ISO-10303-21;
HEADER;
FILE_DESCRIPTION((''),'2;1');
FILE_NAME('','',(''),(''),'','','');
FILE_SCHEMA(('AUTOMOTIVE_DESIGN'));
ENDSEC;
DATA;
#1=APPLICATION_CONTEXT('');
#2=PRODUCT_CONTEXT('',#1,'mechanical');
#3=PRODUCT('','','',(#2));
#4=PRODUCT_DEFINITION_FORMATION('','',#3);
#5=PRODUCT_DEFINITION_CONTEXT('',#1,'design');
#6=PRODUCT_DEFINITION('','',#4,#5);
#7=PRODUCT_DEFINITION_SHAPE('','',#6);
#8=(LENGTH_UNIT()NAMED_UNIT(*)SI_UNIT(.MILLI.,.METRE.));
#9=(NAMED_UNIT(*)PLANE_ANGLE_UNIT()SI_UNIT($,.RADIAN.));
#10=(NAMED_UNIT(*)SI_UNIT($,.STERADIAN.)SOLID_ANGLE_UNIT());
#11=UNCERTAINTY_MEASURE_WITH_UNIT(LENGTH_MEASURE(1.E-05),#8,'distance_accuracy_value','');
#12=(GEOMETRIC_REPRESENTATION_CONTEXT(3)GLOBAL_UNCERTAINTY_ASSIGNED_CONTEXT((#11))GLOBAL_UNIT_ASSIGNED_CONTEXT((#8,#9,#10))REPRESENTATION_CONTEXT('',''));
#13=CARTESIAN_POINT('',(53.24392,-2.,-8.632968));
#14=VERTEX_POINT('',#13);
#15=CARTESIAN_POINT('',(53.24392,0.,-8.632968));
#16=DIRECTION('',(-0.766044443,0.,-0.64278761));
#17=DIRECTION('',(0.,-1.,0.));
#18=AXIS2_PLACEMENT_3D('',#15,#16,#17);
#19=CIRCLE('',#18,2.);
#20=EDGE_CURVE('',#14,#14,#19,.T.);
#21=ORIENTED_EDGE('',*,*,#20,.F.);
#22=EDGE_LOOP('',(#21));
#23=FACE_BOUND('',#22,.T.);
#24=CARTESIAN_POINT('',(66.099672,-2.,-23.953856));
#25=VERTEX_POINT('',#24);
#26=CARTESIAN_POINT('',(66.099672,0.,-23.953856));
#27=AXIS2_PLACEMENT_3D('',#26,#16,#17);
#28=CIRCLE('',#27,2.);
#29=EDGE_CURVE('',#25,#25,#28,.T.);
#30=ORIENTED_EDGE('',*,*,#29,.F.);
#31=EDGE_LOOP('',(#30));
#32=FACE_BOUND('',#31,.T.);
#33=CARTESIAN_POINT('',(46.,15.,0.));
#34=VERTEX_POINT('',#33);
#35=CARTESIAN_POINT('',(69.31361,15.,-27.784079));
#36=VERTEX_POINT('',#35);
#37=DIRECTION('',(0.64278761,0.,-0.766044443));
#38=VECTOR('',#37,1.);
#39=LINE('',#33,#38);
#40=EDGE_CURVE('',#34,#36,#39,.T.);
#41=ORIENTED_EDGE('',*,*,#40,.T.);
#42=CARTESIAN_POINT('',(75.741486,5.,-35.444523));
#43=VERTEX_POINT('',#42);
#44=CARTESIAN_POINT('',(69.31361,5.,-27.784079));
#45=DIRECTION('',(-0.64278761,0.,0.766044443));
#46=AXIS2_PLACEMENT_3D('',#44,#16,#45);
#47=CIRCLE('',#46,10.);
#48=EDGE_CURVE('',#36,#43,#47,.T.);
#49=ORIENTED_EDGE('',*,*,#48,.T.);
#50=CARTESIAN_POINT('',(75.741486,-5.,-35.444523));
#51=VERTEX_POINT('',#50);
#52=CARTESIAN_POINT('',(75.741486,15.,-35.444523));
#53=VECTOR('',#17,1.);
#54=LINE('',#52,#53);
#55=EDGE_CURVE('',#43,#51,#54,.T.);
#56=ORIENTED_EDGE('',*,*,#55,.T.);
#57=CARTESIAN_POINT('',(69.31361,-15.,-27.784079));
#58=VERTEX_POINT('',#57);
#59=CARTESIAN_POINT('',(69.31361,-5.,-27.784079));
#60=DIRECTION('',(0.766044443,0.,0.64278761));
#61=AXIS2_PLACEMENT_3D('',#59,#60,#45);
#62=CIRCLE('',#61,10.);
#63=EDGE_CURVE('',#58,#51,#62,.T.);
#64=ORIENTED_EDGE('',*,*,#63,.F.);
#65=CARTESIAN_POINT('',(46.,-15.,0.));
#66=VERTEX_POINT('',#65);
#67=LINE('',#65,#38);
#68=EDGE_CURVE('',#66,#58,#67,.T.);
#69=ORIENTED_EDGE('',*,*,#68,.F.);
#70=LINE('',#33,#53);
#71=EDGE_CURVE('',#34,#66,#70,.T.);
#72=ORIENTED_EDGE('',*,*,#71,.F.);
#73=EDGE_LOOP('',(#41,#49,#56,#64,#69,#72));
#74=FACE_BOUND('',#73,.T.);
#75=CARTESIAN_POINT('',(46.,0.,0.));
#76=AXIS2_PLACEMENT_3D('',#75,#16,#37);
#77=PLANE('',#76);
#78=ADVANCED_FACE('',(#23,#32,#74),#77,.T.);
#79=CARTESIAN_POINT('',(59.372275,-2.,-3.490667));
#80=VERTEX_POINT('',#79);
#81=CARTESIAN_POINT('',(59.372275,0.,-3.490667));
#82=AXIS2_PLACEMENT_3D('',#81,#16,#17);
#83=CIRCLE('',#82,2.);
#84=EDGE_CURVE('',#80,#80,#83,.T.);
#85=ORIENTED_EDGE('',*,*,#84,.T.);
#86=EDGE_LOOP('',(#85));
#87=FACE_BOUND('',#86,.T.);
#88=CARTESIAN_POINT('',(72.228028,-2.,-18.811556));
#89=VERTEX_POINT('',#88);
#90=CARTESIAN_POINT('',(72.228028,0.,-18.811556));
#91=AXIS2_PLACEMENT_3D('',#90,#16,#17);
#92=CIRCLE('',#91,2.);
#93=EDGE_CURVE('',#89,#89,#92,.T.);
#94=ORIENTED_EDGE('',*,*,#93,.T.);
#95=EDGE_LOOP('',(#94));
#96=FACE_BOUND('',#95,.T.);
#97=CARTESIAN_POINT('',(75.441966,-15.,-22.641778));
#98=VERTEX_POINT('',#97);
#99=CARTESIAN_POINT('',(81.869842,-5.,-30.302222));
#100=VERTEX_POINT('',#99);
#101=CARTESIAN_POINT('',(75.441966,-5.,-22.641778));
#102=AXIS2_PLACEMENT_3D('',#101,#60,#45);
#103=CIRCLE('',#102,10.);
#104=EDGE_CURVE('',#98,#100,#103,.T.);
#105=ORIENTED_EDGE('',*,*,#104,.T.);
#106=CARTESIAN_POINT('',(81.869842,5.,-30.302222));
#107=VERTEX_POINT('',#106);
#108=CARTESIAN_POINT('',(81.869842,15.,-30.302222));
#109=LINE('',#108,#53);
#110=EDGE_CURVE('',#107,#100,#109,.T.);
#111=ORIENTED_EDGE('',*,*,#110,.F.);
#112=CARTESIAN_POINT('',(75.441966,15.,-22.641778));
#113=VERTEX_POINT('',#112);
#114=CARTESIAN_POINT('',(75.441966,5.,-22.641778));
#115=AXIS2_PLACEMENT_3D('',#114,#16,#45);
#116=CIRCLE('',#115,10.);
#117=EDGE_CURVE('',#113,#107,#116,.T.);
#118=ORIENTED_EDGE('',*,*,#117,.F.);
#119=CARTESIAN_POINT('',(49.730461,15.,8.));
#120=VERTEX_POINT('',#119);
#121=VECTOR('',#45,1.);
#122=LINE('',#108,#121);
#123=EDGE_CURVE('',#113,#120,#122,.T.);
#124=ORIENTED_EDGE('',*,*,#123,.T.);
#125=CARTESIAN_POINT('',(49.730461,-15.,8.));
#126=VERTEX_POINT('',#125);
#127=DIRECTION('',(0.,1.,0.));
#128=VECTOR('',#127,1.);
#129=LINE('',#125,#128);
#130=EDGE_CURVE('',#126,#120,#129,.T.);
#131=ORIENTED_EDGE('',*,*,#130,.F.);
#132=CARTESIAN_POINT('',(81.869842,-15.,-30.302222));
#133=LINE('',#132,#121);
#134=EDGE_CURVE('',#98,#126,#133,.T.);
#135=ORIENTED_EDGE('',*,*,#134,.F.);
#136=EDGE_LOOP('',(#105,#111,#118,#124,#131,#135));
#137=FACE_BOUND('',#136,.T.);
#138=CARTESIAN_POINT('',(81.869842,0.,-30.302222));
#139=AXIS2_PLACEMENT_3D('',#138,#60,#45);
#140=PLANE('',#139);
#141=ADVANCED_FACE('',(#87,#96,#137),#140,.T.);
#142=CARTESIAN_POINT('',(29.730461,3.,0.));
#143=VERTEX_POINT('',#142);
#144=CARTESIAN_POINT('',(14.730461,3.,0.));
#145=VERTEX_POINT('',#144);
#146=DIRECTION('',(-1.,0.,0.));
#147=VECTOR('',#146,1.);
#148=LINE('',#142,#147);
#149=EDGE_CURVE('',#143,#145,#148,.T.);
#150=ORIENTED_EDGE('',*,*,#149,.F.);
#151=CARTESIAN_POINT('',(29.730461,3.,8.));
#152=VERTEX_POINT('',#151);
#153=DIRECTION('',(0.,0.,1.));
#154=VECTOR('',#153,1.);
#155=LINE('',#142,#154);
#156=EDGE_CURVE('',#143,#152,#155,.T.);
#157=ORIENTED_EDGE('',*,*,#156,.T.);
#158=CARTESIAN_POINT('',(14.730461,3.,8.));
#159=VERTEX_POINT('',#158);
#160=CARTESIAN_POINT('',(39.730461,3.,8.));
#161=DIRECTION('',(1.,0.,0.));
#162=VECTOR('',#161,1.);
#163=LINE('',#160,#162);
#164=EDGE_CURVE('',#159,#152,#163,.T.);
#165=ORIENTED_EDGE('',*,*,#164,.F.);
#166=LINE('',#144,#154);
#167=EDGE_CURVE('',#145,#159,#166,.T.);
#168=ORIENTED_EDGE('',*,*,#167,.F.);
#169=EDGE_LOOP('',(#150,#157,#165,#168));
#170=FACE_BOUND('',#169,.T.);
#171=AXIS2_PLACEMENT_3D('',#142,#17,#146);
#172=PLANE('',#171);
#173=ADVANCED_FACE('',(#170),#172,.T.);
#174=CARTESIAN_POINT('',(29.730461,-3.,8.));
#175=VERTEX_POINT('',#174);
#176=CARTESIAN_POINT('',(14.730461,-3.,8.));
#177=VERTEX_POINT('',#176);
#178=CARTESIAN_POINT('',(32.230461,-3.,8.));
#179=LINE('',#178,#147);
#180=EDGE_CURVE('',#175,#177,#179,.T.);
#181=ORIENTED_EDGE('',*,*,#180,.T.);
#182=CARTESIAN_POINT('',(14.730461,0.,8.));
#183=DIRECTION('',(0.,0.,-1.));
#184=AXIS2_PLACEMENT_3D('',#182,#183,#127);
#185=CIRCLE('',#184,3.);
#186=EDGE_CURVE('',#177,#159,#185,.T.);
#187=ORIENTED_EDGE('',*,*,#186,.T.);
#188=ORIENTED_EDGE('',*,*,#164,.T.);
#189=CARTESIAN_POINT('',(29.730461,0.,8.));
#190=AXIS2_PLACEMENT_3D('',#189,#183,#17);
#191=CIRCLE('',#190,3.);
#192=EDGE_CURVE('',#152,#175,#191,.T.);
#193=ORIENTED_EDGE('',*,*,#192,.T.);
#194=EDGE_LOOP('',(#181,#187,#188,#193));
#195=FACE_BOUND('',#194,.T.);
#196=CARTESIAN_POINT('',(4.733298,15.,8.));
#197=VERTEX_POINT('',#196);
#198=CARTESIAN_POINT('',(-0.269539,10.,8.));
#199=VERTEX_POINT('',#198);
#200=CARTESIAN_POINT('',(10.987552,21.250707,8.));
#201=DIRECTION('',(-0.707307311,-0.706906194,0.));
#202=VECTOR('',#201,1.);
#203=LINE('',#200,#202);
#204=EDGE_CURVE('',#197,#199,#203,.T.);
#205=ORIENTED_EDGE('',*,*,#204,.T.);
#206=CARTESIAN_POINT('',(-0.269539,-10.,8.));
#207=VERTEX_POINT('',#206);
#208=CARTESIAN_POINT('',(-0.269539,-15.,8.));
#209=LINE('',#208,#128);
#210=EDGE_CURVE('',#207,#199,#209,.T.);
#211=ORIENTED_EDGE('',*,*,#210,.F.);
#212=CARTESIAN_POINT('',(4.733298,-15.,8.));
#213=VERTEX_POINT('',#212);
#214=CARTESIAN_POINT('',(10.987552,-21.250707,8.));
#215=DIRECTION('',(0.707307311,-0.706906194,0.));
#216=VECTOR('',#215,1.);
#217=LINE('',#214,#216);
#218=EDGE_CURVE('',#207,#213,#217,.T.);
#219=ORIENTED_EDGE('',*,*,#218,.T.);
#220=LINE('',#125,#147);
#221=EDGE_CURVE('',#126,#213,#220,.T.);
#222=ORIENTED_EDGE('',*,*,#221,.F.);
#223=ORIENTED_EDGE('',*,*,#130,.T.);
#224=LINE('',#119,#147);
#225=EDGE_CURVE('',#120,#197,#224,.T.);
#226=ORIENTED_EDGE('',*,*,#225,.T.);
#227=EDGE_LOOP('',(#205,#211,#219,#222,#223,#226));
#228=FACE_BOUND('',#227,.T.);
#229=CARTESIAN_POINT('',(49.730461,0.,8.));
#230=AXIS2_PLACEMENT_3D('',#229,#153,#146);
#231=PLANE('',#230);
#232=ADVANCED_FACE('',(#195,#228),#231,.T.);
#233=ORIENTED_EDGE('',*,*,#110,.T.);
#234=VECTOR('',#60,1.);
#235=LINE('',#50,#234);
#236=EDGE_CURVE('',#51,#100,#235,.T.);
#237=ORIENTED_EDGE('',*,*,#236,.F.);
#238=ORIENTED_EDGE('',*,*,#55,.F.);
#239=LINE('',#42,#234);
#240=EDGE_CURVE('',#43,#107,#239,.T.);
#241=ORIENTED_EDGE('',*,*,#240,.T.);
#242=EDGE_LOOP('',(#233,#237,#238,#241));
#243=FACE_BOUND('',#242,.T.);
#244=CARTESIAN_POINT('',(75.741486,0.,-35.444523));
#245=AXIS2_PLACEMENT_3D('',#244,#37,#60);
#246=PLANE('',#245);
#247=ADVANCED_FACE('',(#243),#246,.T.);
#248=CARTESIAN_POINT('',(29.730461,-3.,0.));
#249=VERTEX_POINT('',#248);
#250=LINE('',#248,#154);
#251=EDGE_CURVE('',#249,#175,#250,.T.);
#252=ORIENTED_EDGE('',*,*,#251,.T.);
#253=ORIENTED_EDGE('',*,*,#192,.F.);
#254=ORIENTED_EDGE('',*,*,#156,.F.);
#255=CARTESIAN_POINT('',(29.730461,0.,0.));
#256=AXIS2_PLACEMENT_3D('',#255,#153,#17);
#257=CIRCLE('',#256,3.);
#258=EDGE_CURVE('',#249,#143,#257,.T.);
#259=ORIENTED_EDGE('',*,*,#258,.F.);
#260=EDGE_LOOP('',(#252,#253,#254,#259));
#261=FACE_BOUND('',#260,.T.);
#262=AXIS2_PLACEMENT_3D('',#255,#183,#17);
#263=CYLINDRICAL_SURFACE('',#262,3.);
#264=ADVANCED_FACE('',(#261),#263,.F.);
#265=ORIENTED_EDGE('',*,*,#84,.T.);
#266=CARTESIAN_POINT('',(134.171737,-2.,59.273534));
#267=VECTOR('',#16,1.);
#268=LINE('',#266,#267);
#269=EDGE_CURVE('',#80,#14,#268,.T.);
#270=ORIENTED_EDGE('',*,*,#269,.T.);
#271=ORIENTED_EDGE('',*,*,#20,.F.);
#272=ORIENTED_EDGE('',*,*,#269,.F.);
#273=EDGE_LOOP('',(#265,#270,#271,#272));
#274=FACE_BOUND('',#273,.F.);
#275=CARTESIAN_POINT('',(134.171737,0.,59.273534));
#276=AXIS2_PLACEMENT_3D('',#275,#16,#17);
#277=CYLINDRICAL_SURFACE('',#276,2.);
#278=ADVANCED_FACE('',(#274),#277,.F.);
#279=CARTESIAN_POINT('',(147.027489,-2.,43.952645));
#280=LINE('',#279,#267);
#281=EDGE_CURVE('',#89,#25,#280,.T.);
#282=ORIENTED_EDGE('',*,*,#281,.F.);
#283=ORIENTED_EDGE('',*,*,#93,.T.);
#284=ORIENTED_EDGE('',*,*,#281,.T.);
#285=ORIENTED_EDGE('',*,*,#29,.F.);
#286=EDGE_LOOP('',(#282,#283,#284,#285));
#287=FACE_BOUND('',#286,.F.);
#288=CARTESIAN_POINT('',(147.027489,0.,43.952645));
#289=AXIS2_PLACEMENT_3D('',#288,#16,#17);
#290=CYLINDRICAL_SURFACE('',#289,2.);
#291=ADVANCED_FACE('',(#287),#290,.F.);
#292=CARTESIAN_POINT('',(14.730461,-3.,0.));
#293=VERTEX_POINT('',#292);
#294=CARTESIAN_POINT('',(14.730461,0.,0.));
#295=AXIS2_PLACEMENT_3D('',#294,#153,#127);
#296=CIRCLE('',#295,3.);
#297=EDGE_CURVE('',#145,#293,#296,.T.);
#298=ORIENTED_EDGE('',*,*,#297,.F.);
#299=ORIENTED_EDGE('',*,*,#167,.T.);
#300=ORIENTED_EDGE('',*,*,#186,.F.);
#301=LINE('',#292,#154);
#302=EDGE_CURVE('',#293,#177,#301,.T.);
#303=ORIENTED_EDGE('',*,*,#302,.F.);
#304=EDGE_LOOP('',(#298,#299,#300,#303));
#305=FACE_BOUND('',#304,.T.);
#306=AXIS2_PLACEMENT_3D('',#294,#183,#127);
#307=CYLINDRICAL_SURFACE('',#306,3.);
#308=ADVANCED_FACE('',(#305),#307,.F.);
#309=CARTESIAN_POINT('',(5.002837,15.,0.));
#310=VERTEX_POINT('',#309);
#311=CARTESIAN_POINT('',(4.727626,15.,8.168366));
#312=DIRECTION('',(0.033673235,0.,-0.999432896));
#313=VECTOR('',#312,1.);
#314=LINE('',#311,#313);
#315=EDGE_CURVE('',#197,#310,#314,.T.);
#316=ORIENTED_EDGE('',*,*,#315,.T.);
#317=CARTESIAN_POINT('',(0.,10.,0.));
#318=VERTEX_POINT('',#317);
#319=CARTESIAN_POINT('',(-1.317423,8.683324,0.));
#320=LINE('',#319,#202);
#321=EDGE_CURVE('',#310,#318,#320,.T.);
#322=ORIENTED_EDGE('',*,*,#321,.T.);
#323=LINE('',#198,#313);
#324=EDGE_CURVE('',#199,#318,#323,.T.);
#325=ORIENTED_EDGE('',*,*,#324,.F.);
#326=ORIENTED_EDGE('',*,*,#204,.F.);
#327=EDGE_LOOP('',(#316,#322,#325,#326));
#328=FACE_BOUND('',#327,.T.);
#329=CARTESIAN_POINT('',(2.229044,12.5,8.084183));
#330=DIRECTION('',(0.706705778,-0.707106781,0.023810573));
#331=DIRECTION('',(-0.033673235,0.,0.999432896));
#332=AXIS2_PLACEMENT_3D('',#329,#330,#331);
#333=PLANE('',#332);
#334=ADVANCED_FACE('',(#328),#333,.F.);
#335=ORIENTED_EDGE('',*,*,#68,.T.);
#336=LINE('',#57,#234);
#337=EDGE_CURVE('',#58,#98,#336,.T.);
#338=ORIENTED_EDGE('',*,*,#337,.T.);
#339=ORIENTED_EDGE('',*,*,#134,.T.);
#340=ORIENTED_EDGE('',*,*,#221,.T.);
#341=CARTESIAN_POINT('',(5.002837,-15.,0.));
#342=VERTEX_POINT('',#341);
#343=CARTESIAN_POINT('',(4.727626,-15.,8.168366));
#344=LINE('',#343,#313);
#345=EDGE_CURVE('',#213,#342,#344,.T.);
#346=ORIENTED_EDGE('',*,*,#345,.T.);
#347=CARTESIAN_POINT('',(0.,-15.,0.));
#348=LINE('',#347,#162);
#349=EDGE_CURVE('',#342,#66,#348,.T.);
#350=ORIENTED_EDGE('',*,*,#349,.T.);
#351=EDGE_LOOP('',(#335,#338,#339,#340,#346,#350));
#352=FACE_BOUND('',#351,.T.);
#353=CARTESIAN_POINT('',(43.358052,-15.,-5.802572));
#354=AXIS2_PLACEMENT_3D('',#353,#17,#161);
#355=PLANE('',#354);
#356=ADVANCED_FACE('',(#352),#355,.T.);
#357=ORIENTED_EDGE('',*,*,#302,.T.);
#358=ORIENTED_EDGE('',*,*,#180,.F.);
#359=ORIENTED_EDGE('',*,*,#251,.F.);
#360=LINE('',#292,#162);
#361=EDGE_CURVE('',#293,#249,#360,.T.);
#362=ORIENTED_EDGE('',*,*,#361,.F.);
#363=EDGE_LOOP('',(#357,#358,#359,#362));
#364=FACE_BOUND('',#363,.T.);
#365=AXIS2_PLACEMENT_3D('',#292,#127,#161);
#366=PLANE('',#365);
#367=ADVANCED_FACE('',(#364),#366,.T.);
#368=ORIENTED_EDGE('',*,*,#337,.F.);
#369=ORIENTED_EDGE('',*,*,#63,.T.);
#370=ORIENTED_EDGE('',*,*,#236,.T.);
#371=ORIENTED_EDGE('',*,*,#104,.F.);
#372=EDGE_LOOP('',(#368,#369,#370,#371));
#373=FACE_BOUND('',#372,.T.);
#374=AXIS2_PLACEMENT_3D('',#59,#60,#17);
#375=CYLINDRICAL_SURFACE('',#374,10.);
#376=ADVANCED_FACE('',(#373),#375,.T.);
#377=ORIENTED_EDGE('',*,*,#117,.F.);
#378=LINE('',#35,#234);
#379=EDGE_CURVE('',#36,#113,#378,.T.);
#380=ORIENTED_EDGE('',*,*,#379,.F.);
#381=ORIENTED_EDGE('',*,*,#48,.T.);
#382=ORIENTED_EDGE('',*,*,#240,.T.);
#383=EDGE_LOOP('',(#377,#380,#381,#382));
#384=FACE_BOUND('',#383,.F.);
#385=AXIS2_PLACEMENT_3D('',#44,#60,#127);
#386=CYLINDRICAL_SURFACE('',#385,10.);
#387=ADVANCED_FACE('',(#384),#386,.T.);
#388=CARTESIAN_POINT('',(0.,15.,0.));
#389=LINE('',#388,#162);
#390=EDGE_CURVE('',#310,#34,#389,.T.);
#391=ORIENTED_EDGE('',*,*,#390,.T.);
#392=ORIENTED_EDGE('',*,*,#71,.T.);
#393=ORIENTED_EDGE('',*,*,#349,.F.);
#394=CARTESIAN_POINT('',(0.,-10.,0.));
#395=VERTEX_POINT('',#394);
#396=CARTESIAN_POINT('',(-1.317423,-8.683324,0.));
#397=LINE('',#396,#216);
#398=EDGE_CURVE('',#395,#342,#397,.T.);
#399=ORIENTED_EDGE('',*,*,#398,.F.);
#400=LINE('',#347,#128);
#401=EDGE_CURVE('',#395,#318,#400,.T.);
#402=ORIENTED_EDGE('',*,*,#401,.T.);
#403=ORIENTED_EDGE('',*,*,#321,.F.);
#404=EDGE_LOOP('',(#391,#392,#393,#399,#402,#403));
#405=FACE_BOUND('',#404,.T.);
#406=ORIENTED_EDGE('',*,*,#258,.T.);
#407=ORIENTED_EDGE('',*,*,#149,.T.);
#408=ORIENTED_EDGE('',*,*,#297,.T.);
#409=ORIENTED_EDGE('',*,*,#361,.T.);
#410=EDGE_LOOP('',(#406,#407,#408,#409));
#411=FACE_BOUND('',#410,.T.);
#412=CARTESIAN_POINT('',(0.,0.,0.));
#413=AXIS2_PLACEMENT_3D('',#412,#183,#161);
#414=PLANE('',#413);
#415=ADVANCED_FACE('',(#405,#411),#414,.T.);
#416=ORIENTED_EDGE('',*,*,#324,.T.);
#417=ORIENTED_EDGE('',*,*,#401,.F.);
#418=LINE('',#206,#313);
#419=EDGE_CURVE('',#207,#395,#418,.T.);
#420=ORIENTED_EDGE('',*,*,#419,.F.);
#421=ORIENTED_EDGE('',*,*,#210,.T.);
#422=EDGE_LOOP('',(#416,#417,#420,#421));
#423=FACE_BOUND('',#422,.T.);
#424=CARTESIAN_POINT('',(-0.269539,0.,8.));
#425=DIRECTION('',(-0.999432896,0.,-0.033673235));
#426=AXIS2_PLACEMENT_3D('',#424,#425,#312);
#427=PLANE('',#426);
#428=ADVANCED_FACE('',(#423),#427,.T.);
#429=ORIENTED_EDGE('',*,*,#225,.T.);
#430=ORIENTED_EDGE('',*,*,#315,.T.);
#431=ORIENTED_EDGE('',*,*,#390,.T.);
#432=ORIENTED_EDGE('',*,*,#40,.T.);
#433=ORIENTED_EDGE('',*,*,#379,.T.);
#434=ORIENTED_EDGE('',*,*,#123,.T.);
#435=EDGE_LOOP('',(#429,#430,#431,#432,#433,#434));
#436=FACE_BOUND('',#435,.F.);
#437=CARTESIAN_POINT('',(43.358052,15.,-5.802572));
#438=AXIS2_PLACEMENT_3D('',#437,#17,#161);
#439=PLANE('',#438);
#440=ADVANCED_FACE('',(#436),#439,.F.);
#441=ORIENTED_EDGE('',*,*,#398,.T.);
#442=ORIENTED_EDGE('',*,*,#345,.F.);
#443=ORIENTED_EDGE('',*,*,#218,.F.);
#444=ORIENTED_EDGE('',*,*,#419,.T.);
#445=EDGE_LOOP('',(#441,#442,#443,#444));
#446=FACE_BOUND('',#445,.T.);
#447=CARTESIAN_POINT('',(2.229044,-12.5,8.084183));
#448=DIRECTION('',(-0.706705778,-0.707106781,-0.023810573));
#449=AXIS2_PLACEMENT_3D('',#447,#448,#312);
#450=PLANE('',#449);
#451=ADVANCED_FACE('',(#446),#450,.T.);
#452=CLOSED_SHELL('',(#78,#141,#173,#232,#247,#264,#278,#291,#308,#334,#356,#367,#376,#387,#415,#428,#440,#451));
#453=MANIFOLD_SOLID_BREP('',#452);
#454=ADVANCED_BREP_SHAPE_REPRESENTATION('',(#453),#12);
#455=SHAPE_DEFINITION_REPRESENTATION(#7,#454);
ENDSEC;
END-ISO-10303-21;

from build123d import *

# Parameters (mm, degrees)
F1_DEPTH = 15
F3_DEPTH = 8.001
F5_D     = 4
F6_R     = 10
F7_SIZE  = 5


with BuildPart() as f1:
    # F0 (on Front) → F1 (new body, symmetric)
    with BuildSketch(Plane.XZ):
        Polygon((0, 0), (46, 0), (75.7414862046, -35.4445230334), (81.8698417496, -30.3022221559), (49.7304612652, 8), (-0.2695387348, 8), align=None)
    extrude(amount=F1_DEPTH, both=True)

    # F2 (on Top) → F3 (cut, through all)
    with BuildSketch(Plane.XY):
        with BuildLine():
            ThreePointArc((14.7304612652, 3), (11.7304612652, 0), (14.7304612652, -3))
            Line((14.7304612652, -3), (29.7304612652, -3))
            ThreePointArc((29.7304612652, -3), (32.7304612652, 0), (29.7304612652, 3))
            Line((29.7304612652, 3), (14.7304612652, 3))
        make_face()
    extrude(amount=F3_DEPTH, mode=Mode.SUBTRACT)

    # F5 (through all)
    with Locations(Plane(origin=(33.1222636313, 0, 27.7928791968), x_dir=(0, 1, 0), z_dir=(0.7660444431, 0, 0.6427876097))):
        with Locations((0, -40.8377687803), (0, -60.8377687803)):
            Hole(F5_D / 2)

    # F6
    f6_edges = [f1.edges().sort_by_distance(p)[0] for p in [
        (78.805664, -15, -32.873373),
        (78.805664, 15, -32.873373),
    ]]
    fillet(f6_edges, radius=F6_R)

    # F7
    f7_edges = [f1.edges().sort_by_distance(p)[0] for p in [
        (-0.134769, 15, 4),
        (-0.134769, -15, 4),
    ]]
    chamfer(f7_edges, length=F7_SIZE)


solid = f1.part
